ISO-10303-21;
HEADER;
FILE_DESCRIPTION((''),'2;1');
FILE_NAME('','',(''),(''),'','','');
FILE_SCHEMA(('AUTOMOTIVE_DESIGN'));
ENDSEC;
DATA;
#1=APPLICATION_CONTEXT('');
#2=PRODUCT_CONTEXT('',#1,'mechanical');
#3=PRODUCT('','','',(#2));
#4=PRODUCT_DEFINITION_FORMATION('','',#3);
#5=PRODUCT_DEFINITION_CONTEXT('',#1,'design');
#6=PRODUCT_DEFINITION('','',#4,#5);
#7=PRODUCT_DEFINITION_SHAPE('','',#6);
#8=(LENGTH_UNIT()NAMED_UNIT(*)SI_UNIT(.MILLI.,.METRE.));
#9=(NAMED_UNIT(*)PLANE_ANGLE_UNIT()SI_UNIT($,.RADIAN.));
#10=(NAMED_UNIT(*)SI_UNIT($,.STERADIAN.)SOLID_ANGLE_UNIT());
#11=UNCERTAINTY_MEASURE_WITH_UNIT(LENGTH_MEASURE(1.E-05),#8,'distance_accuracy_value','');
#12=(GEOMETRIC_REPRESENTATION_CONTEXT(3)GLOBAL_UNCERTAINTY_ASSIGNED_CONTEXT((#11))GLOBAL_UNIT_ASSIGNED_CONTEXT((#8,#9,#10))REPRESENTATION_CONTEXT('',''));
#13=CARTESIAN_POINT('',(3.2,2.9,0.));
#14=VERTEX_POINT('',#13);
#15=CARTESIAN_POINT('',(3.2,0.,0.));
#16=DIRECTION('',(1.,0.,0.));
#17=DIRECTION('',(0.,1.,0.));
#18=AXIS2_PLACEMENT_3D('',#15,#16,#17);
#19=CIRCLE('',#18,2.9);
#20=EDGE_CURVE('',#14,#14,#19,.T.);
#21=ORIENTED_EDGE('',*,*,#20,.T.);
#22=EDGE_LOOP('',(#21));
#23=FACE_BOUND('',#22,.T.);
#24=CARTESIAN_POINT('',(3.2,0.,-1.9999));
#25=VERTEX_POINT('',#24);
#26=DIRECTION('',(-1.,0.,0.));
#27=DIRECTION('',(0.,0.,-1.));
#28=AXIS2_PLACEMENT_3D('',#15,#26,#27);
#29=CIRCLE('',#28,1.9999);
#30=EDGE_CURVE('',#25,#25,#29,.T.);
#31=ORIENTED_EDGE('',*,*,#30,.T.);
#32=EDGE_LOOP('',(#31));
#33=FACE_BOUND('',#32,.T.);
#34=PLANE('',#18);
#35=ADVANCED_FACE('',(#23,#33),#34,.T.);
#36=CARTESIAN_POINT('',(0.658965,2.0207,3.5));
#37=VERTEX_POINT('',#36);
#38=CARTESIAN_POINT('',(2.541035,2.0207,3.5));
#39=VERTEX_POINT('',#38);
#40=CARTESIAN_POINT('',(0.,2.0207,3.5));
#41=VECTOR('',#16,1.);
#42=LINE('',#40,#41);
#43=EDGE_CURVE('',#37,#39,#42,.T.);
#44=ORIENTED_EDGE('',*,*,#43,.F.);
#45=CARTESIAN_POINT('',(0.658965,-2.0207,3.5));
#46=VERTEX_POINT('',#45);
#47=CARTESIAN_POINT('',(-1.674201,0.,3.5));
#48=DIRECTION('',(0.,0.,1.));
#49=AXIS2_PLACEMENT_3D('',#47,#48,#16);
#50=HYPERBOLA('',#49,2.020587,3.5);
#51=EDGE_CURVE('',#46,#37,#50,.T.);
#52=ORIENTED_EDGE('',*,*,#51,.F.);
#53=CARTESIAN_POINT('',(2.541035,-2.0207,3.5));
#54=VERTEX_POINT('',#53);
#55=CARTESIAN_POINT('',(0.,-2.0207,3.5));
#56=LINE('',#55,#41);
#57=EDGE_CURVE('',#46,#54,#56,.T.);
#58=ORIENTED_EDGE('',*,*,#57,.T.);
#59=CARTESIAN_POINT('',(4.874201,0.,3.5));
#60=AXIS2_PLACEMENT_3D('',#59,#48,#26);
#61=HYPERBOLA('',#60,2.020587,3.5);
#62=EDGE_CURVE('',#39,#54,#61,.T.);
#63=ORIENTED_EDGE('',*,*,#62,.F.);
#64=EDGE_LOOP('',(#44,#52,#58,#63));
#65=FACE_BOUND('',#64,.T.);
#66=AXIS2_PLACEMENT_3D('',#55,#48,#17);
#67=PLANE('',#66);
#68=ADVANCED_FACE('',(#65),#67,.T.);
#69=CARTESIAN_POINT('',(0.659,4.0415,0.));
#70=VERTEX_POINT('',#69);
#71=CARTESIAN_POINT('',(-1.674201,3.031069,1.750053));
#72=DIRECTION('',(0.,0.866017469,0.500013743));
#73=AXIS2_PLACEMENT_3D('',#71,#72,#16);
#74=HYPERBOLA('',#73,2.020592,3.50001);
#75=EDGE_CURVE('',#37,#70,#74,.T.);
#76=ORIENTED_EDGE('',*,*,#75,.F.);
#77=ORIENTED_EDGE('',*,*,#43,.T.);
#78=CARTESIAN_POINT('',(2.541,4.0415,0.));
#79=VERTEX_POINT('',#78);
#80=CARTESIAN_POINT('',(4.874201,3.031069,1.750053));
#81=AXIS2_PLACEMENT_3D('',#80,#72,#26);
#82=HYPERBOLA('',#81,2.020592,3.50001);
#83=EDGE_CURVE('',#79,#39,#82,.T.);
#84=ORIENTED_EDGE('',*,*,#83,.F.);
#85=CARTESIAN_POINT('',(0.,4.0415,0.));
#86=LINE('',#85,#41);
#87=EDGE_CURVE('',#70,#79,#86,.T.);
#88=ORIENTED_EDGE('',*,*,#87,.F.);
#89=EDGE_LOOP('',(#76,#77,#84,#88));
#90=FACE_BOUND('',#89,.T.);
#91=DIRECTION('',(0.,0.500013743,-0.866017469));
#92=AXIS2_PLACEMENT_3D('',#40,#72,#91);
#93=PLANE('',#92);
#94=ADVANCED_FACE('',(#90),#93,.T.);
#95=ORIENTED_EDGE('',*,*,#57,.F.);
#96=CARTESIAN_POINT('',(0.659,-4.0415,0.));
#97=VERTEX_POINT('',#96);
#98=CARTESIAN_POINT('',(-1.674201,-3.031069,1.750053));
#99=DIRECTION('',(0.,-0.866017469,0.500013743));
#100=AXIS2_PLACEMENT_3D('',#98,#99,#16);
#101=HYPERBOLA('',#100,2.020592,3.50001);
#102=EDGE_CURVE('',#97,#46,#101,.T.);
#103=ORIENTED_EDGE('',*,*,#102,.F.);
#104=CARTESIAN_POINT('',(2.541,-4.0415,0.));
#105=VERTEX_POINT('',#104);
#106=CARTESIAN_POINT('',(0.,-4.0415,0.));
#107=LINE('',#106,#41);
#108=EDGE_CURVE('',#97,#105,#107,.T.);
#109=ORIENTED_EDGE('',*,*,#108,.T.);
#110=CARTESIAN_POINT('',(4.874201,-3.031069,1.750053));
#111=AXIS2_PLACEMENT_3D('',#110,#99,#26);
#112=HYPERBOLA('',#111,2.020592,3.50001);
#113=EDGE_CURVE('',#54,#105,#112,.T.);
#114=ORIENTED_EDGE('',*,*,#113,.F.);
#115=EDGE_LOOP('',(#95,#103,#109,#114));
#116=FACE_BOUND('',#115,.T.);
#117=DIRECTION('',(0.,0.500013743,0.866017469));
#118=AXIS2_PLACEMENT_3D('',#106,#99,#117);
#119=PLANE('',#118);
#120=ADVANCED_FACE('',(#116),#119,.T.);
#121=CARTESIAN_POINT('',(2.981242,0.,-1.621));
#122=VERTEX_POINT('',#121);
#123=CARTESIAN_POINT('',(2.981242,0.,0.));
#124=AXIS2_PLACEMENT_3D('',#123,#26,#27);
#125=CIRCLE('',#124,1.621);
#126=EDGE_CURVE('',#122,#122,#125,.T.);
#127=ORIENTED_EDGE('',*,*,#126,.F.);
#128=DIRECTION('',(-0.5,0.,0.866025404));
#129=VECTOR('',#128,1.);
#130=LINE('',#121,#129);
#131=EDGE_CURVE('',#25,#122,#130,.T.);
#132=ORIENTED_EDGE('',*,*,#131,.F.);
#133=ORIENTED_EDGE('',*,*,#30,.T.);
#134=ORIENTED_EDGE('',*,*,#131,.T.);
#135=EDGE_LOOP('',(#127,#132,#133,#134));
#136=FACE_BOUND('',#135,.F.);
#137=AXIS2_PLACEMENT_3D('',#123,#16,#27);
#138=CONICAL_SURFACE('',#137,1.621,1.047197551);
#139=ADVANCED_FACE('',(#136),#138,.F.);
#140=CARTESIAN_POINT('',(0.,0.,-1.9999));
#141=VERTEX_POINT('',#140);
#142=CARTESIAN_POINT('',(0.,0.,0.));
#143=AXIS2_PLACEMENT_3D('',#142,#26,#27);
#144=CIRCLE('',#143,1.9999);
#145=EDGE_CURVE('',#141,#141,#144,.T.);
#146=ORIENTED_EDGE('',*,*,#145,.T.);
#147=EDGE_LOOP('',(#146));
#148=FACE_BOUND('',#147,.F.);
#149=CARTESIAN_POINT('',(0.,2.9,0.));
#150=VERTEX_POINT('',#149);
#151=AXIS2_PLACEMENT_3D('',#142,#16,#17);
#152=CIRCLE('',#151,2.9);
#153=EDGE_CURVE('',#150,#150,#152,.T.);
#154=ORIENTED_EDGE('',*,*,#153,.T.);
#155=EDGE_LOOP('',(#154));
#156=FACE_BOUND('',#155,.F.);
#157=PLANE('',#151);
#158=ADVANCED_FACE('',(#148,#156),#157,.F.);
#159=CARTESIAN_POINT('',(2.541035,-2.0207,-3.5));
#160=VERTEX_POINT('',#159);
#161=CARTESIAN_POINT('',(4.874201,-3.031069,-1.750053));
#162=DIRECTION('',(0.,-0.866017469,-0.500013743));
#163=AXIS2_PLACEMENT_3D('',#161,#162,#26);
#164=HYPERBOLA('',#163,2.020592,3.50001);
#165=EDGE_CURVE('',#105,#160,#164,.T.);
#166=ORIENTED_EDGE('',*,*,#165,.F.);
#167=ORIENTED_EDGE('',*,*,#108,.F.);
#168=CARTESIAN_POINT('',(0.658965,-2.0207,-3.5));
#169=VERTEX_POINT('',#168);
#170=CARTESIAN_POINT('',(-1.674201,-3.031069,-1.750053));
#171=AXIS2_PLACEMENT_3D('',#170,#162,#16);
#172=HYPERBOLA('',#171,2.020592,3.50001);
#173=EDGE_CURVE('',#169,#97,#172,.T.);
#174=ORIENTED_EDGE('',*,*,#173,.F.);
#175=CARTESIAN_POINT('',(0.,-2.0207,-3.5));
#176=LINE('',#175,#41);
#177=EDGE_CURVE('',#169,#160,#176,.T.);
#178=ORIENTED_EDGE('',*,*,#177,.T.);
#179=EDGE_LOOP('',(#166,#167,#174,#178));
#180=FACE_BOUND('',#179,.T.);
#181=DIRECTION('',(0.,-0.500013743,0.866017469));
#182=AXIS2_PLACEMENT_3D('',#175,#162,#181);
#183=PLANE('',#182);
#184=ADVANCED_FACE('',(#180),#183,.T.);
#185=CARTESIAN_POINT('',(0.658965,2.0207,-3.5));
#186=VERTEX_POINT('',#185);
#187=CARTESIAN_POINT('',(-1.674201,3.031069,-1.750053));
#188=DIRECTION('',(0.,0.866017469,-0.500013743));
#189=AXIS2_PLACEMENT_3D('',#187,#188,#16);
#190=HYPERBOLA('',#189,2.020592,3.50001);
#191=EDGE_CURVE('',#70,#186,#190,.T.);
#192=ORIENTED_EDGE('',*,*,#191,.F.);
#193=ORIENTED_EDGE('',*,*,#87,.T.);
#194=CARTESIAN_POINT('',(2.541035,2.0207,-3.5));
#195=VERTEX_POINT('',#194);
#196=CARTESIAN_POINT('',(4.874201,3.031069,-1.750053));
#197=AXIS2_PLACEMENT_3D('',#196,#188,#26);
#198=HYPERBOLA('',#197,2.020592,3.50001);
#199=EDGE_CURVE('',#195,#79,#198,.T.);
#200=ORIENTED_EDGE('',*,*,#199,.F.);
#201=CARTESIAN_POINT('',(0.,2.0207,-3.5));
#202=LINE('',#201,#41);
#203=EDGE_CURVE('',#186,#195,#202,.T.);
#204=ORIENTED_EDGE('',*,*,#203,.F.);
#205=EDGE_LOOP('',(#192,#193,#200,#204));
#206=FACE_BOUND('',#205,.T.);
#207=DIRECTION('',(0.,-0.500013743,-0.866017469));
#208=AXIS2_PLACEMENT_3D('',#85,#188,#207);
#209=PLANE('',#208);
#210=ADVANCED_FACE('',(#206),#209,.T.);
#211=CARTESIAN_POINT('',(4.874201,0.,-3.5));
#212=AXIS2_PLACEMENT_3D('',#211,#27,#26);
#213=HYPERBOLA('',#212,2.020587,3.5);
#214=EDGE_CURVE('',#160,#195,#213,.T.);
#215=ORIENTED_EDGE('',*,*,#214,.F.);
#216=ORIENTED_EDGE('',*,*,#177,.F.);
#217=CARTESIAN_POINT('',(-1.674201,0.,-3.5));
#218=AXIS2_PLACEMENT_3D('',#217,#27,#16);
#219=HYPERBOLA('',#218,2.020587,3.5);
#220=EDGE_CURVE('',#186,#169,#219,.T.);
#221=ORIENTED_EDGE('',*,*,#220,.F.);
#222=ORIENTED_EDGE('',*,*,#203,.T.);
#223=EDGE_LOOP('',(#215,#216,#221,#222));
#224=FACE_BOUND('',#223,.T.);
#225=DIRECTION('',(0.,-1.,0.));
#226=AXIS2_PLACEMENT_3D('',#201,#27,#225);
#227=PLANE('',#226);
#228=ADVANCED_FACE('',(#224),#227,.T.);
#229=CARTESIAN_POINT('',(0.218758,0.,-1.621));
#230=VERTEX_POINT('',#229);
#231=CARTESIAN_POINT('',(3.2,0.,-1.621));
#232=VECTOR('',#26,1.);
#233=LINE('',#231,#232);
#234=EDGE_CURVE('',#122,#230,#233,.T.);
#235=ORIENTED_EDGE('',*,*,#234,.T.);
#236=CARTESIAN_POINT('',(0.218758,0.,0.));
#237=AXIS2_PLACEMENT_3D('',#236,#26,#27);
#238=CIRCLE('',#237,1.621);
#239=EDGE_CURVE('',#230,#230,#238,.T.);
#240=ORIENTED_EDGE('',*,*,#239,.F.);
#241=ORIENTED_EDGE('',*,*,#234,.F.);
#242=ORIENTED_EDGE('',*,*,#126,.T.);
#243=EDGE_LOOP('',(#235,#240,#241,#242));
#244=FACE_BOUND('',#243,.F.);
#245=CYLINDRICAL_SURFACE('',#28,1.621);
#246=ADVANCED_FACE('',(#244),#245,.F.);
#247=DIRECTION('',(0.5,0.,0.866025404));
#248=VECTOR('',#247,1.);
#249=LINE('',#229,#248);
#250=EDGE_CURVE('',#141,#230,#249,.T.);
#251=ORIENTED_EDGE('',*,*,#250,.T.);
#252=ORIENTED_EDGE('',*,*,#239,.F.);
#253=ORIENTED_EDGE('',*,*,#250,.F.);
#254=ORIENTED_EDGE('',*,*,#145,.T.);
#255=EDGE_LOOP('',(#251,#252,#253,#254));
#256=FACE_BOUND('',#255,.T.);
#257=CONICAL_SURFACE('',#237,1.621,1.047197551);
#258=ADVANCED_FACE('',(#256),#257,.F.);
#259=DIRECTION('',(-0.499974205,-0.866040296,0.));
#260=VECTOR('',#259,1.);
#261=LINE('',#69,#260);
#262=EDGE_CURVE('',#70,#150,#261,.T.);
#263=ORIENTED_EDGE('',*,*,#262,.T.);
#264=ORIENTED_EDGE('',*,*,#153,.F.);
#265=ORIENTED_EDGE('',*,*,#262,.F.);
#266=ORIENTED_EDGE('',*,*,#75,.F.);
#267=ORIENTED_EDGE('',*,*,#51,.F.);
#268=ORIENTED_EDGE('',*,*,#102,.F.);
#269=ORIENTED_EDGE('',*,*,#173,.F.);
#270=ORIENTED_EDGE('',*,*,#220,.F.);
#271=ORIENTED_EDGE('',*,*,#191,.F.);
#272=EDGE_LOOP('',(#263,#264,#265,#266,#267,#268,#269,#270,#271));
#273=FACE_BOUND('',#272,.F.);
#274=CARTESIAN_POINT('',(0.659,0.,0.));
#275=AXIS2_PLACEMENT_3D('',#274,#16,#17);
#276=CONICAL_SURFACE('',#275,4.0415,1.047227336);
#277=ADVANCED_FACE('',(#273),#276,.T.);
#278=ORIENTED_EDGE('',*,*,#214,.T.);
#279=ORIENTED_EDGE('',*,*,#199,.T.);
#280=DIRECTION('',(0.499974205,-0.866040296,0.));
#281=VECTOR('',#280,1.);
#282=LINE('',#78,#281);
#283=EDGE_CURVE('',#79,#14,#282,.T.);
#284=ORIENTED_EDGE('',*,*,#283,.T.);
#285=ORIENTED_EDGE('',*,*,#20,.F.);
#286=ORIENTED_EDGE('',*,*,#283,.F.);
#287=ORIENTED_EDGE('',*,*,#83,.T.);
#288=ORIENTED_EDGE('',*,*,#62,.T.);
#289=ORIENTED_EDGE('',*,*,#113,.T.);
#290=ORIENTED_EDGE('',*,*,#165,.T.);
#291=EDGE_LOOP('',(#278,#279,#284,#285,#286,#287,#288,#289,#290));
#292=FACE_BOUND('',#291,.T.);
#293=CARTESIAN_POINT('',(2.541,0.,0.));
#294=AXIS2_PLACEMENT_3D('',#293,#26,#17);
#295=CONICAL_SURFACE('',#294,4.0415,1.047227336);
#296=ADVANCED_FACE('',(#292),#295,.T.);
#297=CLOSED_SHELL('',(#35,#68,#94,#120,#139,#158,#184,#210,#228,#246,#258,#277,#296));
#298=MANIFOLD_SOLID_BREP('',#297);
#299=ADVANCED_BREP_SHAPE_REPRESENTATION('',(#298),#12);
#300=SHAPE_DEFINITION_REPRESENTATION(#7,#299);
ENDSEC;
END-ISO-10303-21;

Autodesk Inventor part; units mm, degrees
ref_plane "YZ Plane" through (0, 0, 0) normal (1, 0, 0) x (0, 1, 0)
ref_plane "XZ Plane" through (0, 0, 0) normal (0, 1, 0) x (-1, 0, 0)
sketch "Esquisse1" plane through (0, 0, 0) normal (1, 0, 0) x (0, 1, 0)
  line L0 (-4.0415, 0) -> (-2.0207, 3.5)
  line L1 (-2.0207, 3.5) -> (2.0207, 3.5)
  line L2 (2.0207, 3.5) -> (4.0415, 0)
  line L3 (4.0415, 0) -> (2.0207, -3.5)
  line L4 (2.0207, -3.5) -> (-2.0207, -3.5)
  line L5 (-2.0207, -3.5) -> (-4.0415, 0)
  point P0 (0, 0)
  point P1 (0, 0)
  dimension "d0" = 8.0829
extrude "Corps" add sketch "Esquisse1" along normal blind 3.2
sketch "Esquisse2" plane through (0, 0, 0) normal (0, 0, 1) x (1, 0, 0)
  line L0 (0, 2.0207) -> (0, 4.0415) projected
  line L1 (0, 4.0415) -> (3.2, 4.0415) projected
  line L2 (3.2, 2.0207) -> (3.2, 4.0415) projected
  line L3 (-0.64, 0) -> (3.84, 0) projected
  line L4 (0.659, 4.0415) -> (0, 2.9)
  line L5 (2.541, 4.0415) -> (3.2, 2.9)
  dimension "d3" = 30
  dimension "d4" = 30
  dimension "d5" = 5.8
  dimension "d6" = 5.8
revolve "Chanfrein1" cut sketch "Esquisse2" angle 360 about axis through (-10, 0, 0) along (1, 0, 0)
sketch "Esquisse3" plane through (3.2, 0, 0) normal (1, 0, 0) x (0, 0, -1)
  arc A0 (-0.625, -1.0825) -> (0.625, -1.0825) centre (0, 0) ccw projected
hole "Filetage" at (3.2, 0, 0) direction (-1, 0, 0) diameter 3.242 end through all thread size "M4x0.7" class "6H" standard "ISO Metric profile"
chamfer "Chanfrein2" distance 0.3789 angle 30 1 edges at (3.2, 0, 1.621) measured on face at (3.2, 2.4416, -0.2965)
chamfer "Chanfrein3" distance 0.3789 angle 30 1 edges at (0, 0, 1.621) measured on face at (0, 2.4416, -0.2965)
ref_plane "Work Plane1" through (-7.9612, 0, 0) normal (0, -0.866, -0.5) x (1, 0, 0)
equation "\"d0\" = 1.1547 * SW"
equation "\"d1\" = KOH"
equation "\"d3\" = ANG1"
equation "\"d4\" = ANG2"
equation "\"d5\" = SW0"
equation "\"d6\" = SW01"
equation "\"d8\" = -0.5 * GD1 + 0.5 * NND"
equation "\"d40\" = -0.5 * GD1 + 0.5 * NND"
equation "\"d10\" = -0.5 * GD1 + 0.5 * NND"
equation "\"d41\" = -0.5 * GD1 + 0.5 * NND"
equation "\"ANG1\" = 30deg"
equation "\"ANG2\" = 30deg"
equation "\"NND\" = 4"
equation "\"KOH\" = 3.2"
equation "\"SW\" = 7"
equation "\"SW0\" = SW01"
equation "\"SW01\" = 5.8"
equation "\"GUL\" = 0.541266 * PTC"
equation "\"THREADDIA\" = 4"
equation "\"TOA\" = 30deg"
equation "\"PTC\" = 0.7"
equation "\"E0\" = 1.155 * SW"
equation "\"GAL\" = 0.541266 * PTC"
equation "\"GD1\" = 3.242228"
properties part number "DIN 934 - M4" material "Acier, doux"
